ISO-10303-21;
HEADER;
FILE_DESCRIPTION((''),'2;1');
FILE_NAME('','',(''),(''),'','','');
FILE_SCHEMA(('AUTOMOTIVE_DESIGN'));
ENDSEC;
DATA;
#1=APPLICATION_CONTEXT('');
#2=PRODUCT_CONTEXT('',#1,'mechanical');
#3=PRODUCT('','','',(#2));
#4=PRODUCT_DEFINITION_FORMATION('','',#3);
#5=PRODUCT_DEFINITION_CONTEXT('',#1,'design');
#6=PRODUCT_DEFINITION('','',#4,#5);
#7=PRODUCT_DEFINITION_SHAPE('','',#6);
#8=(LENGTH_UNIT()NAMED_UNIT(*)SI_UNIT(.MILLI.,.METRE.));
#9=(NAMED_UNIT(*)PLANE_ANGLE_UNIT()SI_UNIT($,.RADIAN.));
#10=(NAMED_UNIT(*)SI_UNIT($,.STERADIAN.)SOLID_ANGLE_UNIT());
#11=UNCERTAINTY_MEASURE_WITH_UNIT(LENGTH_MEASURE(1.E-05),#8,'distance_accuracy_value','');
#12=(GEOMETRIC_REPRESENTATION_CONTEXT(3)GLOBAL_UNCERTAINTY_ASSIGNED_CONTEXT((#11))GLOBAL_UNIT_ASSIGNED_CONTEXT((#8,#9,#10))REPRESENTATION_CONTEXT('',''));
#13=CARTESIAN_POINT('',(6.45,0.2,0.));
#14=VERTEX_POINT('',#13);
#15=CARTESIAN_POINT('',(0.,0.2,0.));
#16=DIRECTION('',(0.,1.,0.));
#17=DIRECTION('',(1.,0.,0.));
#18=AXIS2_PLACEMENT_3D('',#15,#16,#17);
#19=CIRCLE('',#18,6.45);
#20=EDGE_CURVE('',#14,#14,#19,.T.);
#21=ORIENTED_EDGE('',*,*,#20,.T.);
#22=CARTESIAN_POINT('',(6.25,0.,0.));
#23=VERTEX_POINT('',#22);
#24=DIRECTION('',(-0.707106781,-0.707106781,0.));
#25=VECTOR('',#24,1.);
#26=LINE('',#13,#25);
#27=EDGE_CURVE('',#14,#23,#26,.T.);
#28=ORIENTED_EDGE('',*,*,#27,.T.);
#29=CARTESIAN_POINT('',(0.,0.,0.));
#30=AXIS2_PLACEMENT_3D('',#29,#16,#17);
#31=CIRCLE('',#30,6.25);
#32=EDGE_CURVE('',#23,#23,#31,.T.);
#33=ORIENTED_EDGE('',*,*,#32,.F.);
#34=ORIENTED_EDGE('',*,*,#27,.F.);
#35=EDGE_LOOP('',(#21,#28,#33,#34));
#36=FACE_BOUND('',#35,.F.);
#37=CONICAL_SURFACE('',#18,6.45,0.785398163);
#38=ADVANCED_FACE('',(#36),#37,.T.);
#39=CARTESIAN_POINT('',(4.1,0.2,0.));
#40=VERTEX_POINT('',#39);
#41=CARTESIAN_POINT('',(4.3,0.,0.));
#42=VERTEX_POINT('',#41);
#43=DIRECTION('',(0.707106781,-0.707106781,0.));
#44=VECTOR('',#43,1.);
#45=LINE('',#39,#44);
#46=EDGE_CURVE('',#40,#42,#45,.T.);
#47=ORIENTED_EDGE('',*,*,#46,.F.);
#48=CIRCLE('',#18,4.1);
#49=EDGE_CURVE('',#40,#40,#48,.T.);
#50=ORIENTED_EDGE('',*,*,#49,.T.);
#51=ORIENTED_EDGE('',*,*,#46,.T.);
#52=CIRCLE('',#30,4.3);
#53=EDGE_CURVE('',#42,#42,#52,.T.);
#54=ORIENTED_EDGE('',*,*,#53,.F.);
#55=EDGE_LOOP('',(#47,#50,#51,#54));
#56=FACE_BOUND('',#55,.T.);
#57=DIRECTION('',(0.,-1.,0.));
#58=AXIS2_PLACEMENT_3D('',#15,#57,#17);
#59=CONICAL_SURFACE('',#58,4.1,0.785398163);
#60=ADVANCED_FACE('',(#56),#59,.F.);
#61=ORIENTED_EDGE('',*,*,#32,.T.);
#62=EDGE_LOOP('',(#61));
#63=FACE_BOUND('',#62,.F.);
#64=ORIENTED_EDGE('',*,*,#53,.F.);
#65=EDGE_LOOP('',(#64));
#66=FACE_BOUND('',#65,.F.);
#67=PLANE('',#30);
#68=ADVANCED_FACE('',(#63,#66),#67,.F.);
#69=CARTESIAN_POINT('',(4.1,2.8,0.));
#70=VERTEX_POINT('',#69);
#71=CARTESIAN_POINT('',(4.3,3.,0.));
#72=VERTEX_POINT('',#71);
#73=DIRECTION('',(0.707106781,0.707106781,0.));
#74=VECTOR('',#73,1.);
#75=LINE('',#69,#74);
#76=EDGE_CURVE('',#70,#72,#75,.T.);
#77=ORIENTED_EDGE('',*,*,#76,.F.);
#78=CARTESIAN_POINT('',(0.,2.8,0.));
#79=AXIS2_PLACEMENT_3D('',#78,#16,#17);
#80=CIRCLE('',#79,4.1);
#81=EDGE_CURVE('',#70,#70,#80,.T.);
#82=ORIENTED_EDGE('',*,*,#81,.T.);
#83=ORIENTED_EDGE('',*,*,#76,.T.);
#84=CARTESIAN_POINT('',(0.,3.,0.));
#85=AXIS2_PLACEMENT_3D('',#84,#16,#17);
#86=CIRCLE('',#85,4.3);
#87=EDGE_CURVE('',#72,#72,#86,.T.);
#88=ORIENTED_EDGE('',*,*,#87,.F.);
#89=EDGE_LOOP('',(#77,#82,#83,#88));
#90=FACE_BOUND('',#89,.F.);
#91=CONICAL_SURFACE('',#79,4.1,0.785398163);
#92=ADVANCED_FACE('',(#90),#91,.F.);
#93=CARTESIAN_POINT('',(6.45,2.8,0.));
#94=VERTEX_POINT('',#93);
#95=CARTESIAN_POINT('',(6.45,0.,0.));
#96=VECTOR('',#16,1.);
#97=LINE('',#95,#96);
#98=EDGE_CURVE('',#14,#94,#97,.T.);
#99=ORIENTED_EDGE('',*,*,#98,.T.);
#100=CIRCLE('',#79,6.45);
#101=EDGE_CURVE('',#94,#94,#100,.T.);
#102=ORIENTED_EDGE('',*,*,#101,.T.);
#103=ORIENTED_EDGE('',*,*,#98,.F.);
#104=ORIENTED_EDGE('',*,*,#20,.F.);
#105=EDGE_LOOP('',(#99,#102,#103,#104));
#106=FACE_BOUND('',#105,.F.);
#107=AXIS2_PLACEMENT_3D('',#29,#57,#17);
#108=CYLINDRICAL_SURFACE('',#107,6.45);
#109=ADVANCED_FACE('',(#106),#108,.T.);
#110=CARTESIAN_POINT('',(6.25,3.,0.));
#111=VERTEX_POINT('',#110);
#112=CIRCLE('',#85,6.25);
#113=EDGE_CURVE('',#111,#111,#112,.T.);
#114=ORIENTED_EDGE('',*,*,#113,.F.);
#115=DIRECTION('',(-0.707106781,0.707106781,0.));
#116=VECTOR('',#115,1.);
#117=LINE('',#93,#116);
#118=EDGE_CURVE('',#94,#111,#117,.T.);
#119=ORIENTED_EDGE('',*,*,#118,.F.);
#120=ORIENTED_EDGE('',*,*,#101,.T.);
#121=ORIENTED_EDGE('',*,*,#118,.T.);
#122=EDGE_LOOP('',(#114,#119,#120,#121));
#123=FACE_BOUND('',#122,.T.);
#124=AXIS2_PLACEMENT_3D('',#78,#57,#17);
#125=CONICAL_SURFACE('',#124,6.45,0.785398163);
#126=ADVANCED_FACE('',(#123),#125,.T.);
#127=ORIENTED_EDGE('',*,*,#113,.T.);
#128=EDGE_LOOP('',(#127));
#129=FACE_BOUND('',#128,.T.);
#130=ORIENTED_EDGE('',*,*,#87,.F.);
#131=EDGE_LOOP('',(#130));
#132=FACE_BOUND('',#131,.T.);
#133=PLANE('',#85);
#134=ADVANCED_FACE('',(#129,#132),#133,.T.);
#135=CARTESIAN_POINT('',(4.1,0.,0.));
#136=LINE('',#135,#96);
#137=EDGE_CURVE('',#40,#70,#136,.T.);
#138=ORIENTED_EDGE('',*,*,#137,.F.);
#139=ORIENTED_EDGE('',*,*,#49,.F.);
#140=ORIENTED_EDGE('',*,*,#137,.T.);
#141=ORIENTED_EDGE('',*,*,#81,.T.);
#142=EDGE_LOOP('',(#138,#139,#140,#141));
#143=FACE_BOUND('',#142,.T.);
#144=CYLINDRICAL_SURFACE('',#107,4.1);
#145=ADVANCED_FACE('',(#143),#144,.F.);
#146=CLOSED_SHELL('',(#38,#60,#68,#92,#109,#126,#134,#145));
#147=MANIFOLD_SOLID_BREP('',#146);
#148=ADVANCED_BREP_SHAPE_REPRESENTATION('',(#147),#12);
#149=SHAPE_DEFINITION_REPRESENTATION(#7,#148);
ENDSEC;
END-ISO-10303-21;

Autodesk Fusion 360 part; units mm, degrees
sketch "Esboço1" plane through (0, 0, 0) normal (0, 1, 0) x (1, 0, 0)
  circle A0 centre (0, 0) radius 4.1
  circle A1 centre (0, 0) radius 6.45
  dimension "d1" = 8.2
  dimension "d2" = 12.9
extrude "Extrusão1" add sketch "Esboço1" along normal blind 3
chamfer "Chanfro1" distance 0.2 angle 45 2 edges at (-6.0135, 3, 2.3324) (-6.0135, 0, 2.3324)
chamfer "Chanfro1" distance 0.2 angle 45 2 edges at (-3.8225, 0, -1.4826) (-3.8225, 3, -1.4826)
